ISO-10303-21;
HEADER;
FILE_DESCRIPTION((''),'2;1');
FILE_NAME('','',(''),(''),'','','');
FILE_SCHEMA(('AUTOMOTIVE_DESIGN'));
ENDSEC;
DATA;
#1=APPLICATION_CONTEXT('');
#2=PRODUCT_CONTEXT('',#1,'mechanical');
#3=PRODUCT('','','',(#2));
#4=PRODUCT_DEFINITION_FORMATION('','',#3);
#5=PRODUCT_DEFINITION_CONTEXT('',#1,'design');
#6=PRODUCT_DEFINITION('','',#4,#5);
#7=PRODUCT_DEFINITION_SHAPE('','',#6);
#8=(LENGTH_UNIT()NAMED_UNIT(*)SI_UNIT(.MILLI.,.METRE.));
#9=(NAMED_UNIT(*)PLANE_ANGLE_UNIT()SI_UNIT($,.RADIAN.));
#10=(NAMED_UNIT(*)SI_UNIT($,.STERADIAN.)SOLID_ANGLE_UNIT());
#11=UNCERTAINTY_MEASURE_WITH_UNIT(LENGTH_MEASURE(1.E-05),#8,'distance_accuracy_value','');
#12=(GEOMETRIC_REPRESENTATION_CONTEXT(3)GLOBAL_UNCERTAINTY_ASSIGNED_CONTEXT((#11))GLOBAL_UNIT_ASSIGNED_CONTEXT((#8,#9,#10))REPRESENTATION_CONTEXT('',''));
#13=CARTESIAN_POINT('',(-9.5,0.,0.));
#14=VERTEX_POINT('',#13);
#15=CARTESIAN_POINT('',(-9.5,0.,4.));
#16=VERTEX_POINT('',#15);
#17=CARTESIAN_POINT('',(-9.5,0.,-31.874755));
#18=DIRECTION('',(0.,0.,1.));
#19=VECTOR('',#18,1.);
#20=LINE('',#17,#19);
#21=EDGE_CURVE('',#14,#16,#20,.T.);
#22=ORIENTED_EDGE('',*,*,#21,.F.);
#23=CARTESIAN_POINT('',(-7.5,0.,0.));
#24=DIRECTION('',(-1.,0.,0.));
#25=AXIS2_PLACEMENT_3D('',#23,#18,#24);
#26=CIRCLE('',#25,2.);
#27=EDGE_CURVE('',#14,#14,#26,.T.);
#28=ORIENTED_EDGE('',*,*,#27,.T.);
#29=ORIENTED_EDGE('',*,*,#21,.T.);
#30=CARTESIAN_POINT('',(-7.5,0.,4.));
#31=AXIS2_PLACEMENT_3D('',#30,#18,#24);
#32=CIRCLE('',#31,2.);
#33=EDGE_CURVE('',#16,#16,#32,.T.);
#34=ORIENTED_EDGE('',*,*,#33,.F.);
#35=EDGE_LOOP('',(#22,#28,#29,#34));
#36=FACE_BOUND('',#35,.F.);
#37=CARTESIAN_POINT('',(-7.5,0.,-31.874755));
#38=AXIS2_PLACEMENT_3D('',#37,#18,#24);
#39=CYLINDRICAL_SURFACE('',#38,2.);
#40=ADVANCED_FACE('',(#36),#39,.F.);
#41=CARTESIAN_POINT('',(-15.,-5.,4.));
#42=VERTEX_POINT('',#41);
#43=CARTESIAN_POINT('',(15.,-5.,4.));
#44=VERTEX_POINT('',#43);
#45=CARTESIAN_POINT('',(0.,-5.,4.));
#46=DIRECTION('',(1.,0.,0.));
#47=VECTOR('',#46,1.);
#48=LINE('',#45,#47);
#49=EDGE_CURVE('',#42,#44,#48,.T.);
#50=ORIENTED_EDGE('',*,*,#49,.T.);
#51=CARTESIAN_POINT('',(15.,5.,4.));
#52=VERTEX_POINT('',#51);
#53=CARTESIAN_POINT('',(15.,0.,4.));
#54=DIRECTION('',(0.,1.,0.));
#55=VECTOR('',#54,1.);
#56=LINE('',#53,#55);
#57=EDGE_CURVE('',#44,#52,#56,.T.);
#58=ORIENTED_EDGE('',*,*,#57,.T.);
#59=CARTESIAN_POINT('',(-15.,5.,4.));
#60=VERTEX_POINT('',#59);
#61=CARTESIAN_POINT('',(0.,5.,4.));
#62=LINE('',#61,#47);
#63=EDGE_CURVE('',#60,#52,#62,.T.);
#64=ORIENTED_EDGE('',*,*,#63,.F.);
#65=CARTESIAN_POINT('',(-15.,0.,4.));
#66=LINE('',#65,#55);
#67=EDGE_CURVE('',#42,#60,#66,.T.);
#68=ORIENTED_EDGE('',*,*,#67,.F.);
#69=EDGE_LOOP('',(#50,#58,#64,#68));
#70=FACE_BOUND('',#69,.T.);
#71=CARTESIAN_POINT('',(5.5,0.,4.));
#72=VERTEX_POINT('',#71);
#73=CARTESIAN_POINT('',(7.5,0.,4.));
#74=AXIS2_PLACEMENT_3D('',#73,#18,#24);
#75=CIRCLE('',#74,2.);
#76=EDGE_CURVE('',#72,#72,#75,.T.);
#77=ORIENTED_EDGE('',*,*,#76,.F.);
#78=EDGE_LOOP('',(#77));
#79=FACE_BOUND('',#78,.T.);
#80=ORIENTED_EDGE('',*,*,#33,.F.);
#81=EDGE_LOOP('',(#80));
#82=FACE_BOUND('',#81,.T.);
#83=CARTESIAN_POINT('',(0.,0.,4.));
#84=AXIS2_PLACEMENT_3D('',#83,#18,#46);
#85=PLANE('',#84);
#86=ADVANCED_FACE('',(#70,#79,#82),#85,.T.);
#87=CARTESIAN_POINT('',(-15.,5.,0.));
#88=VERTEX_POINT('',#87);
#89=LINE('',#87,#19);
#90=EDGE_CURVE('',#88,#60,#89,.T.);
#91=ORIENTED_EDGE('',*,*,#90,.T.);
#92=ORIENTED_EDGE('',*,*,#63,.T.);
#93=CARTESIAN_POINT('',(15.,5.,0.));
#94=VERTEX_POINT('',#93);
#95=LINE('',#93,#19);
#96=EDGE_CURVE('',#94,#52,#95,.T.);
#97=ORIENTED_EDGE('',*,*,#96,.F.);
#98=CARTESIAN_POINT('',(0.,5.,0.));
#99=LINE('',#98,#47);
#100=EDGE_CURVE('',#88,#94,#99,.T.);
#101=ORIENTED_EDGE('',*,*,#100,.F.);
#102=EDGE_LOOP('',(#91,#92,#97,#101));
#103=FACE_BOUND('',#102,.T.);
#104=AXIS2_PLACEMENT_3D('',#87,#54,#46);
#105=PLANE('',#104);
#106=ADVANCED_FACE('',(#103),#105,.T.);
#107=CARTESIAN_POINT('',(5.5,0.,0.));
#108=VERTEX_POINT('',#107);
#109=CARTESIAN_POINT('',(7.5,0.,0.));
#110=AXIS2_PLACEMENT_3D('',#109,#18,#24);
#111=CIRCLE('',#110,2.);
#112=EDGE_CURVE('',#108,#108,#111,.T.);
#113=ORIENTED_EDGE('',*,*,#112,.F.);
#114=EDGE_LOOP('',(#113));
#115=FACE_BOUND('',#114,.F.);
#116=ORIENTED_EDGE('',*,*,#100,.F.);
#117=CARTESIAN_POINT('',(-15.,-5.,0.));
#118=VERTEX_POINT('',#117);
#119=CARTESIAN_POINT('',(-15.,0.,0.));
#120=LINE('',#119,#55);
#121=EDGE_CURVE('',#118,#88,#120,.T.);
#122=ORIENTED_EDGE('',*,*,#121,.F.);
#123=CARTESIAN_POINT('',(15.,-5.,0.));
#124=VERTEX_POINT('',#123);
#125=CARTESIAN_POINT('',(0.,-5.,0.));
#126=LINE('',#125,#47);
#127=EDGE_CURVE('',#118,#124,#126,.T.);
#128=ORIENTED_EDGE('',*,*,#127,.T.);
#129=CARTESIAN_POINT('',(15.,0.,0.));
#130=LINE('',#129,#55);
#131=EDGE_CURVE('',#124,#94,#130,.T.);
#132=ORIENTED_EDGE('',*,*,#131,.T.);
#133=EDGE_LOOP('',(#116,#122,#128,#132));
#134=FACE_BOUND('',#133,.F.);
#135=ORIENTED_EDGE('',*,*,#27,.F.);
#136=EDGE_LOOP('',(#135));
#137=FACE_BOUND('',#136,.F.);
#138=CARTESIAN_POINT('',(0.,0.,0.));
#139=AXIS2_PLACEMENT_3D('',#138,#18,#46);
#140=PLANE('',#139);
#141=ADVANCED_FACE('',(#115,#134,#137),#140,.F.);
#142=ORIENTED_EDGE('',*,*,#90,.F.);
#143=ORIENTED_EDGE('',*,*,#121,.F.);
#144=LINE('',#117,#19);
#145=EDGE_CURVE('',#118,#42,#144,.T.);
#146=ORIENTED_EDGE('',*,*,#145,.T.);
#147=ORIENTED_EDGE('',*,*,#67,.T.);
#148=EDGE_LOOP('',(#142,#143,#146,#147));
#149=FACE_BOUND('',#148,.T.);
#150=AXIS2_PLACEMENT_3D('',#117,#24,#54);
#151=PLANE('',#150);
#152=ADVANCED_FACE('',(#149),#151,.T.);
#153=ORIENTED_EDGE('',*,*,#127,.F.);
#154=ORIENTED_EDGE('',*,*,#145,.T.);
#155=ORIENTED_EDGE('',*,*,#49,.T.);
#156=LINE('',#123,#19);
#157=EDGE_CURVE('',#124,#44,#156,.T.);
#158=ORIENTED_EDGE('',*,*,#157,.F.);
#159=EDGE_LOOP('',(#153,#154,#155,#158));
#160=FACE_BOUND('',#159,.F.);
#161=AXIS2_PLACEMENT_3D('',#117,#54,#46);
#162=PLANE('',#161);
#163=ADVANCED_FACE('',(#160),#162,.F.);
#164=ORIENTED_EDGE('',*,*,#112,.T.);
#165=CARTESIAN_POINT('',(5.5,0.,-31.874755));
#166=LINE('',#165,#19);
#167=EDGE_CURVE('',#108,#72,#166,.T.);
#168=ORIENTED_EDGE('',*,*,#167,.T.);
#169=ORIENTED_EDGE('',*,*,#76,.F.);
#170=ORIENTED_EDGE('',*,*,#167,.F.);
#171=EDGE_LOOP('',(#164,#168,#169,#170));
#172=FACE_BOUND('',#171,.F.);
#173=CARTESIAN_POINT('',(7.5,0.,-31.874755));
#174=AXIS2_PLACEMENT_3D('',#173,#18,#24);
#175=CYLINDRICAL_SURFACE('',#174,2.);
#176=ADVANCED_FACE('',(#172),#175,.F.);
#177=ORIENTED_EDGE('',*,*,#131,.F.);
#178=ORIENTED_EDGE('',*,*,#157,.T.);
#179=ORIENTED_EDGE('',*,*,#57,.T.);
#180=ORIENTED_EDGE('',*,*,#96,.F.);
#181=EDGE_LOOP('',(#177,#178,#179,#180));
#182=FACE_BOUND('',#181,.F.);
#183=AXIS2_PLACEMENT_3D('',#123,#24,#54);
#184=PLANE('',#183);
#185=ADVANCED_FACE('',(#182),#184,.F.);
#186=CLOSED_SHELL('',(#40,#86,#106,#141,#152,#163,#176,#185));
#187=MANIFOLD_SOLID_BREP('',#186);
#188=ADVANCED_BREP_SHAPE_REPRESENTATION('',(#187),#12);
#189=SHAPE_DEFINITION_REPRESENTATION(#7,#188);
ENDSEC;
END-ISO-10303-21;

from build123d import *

# Parameters (mm, degrees)
F0_W     = 30
F0_H     = 10
F1_DEPTH = 4
F3_D     = 4


with BuildPart() as f1:
    # F0 (on Top) → F1 (new body)
    with BuildSketch(Plane.XY):
        Rectangle(F0_W, F0_H)
    extrude(amount=F1_DEPTH)

    # F3 (through all)
    with Locations(Plane(origin=(0, 0, 0), x_dir=(1, 0, 0), z_dir=(0, 0, -1))):
        with Locations((-7.5, 0), (7.5, 0)):
            Hole(F3_D / 2)


solid = f1.part
